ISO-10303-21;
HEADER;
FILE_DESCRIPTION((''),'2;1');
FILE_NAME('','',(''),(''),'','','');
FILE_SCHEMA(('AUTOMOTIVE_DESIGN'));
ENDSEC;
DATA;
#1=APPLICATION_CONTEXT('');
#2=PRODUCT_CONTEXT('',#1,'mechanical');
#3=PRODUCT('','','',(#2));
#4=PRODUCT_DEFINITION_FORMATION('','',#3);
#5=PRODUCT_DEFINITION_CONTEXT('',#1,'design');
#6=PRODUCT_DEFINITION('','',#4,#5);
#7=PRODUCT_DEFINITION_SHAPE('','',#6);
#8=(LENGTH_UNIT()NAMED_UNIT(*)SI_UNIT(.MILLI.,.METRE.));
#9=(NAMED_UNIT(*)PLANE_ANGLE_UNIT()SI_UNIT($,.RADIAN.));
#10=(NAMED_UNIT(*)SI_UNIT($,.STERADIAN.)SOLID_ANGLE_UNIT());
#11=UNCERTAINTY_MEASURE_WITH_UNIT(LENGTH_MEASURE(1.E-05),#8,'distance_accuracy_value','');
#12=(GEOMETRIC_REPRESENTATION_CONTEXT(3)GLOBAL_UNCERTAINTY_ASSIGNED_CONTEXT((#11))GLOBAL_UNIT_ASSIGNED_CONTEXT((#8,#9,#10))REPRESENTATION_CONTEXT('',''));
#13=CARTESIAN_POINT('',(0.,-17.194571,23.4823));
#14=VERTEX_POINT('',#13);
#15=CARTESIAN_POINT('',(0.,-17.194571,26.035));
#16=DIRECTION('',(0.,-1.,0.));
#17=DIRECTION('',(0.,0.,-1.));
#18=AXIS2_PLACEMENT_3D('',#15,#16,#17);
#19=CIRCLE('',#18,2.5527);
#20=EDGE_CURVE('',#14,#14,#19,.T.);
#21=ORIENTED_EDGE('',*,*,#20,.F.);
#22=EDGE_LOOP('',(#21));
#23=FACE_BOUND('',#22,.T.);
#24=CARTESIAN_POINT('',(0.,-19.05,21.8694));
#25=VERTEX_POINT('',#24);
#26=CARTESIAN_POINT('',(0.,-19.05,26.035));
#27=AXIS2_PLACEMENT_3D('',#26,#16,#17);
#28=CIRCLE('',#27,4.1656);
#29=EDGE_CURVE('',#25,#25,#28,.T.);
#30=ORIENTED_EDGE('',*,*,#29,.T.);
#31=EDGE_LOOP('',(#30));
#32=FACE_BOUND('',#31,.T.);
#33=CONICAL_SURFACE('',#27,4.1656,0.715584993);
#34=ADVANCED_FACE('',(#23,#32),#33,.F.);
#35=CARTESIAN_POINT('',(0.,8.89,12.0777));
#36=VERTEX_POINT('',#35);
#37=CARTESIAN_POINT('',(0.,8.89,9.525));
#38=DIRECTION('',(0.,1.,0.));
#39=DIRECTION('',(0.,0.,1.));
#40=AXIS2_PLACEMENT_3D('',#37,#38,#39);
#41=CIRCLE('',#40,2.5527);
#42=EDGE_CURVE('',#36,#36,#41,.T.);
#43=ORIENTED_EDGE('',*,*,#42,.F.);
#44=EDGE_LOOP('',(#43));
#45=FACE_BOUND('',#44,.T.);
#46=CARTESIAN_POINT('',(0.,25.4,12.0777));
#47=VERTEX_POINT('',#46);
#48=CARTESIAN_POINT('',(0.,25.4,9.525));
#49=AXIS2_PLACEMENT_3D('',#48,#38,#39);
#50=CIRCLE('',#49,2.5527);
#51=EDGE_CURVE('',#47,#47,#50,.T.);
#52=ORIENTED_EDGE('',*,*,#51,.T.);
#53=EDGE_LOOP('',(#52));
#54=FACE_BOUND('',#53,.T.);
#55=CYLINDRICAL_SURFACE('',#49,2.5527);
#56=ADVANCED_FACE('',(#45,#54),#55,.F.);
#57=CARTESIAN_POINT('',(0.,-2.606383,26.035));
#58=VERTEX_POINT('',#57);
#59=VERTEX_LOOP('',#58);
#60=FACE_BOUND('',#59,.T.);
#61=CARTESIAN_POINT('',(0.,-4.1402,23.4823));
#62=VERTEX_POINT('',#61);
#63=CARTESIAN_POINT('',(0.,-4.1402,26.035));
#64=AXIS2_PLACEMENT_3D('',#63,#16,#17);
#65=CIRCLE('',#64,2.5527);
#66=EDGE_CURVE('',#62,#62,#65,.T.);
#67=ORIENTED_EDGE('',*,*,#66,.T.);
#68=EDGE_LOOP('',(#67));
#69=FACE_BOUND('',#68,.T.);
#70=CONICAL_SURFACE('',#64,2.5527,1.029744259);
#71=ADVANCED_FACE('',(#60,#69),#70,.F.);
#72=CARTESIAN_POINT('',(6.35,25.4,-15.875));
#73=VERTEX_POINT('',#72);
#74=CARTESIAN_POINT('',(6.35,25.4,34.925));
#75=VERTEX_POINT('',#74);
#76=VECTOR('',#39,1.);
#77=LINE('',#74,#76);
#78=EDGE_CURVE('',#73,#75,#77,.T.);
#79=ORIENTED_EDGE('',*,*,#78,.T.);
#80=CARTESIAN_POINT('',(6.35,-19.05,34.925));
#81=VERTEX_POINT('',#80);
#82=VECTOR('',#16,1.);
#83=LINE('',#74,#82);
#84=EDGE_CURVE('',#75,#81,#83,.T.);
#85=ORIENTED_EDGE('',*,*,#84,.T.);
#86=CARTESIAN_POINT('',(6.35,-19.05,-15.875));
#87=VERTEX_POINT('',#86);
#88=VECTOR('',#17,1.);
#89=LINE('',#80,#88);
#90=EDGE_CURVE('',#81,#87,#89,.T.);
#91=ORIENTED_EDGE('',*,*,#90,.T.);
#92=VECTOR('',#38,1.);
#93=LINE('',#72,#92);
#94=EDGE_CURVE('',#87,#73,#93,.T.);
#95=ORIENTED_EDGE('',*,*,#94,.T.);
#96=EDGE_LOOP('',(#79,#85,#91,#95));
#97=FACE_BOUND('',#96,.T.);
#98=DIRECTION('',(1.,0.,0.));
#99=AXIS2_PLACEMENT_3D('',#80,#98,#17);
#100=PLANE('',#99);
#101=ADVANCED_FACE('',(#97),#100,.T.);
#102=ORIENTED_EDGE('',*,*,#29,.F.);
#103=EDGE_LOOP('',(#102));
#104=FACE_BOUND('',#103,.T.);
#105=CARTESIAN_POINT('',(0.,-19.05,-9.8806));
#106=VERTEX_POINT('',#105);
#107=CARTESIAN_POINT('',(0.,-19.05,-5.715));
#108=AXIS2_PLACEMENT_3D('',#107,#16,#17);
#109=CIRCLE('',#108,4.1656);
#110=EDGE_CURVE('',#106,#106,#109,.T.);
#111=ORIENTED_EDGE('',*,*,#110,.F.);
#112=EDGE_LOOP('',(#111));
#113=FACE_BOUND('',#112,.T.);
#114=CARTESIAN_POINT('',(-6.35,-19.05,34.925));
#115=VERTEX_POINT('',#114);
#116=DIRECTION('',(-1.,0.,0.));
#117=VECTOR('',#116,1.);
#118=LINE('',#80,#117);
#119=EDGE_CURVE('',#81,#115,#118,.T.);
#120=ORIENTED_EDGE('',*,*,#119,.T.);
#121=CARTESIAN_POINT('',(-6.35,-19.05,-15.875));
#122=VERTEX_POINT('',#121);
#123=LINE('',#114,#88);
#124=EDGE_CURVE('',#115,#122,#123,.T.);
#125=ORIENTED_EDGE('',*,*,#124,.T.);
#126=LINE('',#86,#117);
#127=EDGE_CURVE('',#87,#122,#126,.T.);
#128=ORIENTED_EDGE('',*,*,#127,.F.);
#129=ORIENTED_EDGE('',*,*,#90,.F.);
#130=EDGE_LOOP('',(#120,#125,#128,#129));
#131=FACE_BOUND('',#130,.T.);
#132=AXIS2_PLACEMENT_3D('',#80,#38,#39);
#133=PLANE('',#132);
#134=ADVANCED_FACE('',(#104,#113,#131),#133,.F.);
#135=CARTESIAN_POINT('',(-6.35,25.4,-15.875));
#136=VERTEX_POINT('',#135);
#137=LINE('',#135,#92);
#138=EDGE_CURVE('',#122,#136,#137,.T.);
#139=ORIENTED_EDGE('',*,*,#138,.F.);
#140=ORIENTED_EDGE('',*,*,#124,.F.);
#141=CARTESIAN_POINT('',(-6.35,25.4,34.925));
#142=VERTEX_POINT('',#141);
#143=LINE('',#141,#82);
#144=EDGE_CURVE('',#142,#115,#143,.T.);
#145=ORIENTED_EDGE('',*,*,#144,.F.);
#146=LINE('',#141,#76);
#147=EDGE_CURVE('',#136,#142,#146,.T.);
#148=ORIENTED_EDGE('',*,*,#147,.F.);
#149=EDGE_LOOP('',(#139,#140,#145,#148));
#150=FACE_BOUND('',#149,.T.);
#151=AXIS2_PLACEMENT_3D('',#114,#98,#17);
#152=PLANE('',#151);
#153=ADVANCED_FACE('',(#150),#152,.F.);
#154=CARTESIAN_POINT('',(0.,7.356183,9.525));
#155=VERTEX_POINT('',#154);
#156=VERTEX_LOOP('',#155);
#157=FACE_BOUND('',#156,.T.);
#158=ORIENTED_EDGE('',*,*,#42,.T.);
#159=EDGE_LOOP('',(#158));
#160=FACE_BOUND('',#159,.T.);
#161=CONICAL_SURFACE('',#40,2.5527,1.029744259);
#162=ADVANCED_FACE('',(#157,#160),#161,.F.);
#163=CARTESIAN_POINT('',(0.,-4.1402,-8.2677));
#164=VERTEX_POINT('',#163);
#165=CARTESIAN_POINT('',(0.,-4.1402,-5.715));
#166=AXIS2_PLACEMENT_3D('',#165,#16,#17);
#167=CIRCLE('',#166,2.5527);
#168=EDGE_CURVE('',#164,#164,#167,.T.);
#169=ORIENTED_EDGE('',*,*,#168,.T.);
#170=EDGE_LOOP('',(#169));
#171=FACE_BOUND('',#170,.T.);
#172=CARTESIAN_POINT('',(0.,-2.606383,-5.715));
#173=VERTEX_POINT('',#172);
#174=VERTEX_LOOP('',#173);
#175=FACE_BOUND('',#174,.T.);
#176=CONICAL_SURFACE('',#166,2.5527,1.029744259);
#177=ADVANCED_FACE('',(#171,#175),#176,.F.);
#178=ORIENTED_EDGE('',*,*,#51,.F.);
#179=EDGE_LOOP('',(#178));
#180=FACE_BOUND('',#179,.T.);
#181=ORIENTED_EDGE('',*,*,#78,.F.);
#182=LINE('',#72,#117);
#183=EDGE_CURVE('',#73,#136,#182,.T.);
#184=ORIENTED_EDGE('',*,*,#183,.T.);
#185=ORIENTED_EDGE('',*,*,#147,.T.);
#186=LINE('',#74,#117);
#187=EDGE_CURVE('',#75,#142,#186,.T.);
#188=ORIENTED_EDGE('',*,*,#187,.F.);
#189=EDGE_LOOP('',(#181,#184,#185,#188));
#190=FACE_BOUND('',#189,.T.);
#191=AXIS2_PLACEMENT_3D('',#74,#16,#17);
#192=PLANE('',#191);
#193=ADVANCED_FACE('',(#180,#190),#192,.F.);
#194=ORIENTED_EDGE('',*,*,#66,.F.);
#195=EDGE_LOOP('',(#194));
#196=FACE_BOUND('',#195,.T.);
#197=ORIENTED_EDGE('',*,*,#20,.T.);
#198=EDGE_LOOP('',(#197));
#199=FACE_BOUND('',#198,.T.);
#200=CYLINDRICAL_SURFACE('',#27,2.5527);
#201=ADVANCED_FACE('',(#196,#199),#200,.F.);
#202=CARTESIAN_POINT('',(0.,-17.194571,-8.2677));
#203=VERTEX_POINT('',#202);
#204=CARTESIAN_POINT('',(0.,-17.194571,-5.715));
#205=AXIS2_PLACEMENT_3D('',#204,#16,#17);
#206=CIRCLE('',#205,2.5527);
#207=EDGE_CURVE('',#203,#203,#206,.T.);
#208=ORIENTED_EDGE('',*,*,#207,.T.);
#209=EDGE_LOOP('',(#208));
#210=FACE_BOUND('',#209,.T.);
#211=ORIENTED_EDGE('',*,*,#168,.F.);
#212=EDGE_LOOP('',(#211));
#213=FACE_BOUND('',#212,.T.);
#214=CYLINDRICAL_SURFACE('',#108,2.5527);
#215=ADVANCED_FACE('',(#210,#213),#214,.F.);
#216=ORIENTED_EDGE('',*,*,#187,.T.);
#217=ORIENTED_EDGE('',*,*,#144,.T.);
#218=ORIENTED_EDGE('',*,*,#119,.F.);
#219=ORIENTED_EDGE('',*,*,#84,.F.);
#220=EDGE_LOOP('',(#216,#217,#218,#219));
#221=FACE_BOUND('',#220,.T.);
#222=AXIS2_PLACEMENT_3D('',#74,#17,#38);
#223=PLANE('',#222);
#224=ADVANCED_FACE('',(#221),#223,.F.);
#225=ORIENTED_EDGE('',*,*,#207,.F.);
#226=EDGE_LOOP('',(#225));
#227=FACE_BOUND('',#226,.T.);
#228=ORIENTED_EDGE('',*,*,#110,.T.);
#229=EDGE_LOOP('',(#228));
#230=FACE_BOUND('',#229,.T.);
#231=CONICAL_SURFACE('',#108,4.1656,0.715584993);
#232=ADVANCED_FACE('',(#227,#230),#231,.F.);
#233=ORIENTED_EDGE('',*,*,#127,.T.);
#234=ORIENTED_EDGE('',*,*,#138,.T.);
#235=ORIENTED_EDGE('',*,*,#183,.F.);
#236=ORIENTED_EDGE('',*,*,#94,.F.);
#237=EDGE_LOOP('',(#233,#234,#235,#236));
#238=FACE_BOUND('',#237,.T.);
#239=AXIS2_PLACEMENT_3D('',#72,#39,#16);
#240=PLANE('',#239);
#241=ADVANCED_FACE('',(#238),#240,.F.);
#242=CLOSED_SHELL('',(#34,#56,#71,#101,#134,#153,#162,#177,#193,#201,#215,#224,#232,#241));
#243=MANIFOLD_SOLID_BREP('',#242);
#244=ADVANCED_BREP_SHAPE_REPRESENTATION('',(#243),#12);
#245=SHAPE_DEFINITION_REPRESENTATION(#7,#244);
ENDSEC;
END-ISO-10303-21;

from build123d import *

# Parameters (mm, degrees)
SKETCH1_W                         = 50.8
SKETCH1_H                         = 44.45
EXTRUDE1_DEPTH                    = 6.35
F_1_4_20_TAPPED_HOLE1_D           = 5.1054
F_1_4_20_TAPPED_HOLE1_DEPTH       = 14.9098
F_1_4_20_TAPPED_HOLE1_CSINK_D     = 8.3312
F_1_4_20_TAPPED_HOLE1_CSINK_ANGLE = 82
F_1_4_20_TAPPED_HOLE1_TIP         = 1.533816902
F_1_4_20_TAPPED_HOLE2_D           = 5.1054
F_1_4_20_TAPPED_HOLE2_DEPTH       = 16.51
F_1_4_20_TAPPED_HOLE2_TIP         = 1.533816902


with BuildPart() as part:
    # Sketch1 → Extrude1 (new, symmetric)
    with BuildSketch(Plane(origin=(0, 0, 0), x_dir=(0, 0, -1), z_dir=(1, 0, 0))):
        with Locations((-9.525, 3.175)):
            Rectangle(SKETCH1_W, SKETCH1_H)
    extrude(amount=EXTRUDE1_DEPTH, both=True)

    # 1/4-20 Tapped Hole1
    with Locations(Plane.XZ.offset(19.05)):
        with Locations((0, 26.035), (0, -5.715)):
            CounterSinkHole(F_1_4_20_TAPPED_HOLE1_D / 2, F_1_4_20_TAPPED_HOLE1_CSINK_D / 2, depth=F_1_4_20_TAPPED_HOLE1_DEPTH, counter_sink_angle=F_1_4_20_TAPPED_HOLE1_CSINK_ANGLE)
            with Locations((0, 0, -(F_1_4_20_TAPPED_HOLE1_DEPTH + F_1_4_20_TAPPED_HOLE1_TIP / 2))):  # 118° drill point
                Cone(0, F_1_4_20_TAPPED_HOLE1_D / 2, F_1_4_20_TAPPED_HOLE1_TIP, mode=Mode.SUBTRACT)

    # 1/4-20 Tapped Hole2
    with Locations(Plane(origin=(0, 25.4, 0), x_dir=(-1, 0, 0), z_dir=(0, 1, 0))):
        with Locations((0, 9.525)):
            Hole(F_1_4_20_TAPPED_HOLE2_D / 2, depth=F_1_4_20_TAPPED_HOLE2_DEPTH)
            with Locations((0, 0, -(F_1_4_20_TAPPED_HOLE2_DEPTH + F_1_4_20_TAPPED_HOLE2_TIP / 2))):  # 118° drill point
                Cone(0, F_1_4_20_TAPPED_HOLE2_D / 2, F_1_4_20_TAPPED_HOLE2_TIP, mode=Mode.SUBTRACT)


solid = part.part
